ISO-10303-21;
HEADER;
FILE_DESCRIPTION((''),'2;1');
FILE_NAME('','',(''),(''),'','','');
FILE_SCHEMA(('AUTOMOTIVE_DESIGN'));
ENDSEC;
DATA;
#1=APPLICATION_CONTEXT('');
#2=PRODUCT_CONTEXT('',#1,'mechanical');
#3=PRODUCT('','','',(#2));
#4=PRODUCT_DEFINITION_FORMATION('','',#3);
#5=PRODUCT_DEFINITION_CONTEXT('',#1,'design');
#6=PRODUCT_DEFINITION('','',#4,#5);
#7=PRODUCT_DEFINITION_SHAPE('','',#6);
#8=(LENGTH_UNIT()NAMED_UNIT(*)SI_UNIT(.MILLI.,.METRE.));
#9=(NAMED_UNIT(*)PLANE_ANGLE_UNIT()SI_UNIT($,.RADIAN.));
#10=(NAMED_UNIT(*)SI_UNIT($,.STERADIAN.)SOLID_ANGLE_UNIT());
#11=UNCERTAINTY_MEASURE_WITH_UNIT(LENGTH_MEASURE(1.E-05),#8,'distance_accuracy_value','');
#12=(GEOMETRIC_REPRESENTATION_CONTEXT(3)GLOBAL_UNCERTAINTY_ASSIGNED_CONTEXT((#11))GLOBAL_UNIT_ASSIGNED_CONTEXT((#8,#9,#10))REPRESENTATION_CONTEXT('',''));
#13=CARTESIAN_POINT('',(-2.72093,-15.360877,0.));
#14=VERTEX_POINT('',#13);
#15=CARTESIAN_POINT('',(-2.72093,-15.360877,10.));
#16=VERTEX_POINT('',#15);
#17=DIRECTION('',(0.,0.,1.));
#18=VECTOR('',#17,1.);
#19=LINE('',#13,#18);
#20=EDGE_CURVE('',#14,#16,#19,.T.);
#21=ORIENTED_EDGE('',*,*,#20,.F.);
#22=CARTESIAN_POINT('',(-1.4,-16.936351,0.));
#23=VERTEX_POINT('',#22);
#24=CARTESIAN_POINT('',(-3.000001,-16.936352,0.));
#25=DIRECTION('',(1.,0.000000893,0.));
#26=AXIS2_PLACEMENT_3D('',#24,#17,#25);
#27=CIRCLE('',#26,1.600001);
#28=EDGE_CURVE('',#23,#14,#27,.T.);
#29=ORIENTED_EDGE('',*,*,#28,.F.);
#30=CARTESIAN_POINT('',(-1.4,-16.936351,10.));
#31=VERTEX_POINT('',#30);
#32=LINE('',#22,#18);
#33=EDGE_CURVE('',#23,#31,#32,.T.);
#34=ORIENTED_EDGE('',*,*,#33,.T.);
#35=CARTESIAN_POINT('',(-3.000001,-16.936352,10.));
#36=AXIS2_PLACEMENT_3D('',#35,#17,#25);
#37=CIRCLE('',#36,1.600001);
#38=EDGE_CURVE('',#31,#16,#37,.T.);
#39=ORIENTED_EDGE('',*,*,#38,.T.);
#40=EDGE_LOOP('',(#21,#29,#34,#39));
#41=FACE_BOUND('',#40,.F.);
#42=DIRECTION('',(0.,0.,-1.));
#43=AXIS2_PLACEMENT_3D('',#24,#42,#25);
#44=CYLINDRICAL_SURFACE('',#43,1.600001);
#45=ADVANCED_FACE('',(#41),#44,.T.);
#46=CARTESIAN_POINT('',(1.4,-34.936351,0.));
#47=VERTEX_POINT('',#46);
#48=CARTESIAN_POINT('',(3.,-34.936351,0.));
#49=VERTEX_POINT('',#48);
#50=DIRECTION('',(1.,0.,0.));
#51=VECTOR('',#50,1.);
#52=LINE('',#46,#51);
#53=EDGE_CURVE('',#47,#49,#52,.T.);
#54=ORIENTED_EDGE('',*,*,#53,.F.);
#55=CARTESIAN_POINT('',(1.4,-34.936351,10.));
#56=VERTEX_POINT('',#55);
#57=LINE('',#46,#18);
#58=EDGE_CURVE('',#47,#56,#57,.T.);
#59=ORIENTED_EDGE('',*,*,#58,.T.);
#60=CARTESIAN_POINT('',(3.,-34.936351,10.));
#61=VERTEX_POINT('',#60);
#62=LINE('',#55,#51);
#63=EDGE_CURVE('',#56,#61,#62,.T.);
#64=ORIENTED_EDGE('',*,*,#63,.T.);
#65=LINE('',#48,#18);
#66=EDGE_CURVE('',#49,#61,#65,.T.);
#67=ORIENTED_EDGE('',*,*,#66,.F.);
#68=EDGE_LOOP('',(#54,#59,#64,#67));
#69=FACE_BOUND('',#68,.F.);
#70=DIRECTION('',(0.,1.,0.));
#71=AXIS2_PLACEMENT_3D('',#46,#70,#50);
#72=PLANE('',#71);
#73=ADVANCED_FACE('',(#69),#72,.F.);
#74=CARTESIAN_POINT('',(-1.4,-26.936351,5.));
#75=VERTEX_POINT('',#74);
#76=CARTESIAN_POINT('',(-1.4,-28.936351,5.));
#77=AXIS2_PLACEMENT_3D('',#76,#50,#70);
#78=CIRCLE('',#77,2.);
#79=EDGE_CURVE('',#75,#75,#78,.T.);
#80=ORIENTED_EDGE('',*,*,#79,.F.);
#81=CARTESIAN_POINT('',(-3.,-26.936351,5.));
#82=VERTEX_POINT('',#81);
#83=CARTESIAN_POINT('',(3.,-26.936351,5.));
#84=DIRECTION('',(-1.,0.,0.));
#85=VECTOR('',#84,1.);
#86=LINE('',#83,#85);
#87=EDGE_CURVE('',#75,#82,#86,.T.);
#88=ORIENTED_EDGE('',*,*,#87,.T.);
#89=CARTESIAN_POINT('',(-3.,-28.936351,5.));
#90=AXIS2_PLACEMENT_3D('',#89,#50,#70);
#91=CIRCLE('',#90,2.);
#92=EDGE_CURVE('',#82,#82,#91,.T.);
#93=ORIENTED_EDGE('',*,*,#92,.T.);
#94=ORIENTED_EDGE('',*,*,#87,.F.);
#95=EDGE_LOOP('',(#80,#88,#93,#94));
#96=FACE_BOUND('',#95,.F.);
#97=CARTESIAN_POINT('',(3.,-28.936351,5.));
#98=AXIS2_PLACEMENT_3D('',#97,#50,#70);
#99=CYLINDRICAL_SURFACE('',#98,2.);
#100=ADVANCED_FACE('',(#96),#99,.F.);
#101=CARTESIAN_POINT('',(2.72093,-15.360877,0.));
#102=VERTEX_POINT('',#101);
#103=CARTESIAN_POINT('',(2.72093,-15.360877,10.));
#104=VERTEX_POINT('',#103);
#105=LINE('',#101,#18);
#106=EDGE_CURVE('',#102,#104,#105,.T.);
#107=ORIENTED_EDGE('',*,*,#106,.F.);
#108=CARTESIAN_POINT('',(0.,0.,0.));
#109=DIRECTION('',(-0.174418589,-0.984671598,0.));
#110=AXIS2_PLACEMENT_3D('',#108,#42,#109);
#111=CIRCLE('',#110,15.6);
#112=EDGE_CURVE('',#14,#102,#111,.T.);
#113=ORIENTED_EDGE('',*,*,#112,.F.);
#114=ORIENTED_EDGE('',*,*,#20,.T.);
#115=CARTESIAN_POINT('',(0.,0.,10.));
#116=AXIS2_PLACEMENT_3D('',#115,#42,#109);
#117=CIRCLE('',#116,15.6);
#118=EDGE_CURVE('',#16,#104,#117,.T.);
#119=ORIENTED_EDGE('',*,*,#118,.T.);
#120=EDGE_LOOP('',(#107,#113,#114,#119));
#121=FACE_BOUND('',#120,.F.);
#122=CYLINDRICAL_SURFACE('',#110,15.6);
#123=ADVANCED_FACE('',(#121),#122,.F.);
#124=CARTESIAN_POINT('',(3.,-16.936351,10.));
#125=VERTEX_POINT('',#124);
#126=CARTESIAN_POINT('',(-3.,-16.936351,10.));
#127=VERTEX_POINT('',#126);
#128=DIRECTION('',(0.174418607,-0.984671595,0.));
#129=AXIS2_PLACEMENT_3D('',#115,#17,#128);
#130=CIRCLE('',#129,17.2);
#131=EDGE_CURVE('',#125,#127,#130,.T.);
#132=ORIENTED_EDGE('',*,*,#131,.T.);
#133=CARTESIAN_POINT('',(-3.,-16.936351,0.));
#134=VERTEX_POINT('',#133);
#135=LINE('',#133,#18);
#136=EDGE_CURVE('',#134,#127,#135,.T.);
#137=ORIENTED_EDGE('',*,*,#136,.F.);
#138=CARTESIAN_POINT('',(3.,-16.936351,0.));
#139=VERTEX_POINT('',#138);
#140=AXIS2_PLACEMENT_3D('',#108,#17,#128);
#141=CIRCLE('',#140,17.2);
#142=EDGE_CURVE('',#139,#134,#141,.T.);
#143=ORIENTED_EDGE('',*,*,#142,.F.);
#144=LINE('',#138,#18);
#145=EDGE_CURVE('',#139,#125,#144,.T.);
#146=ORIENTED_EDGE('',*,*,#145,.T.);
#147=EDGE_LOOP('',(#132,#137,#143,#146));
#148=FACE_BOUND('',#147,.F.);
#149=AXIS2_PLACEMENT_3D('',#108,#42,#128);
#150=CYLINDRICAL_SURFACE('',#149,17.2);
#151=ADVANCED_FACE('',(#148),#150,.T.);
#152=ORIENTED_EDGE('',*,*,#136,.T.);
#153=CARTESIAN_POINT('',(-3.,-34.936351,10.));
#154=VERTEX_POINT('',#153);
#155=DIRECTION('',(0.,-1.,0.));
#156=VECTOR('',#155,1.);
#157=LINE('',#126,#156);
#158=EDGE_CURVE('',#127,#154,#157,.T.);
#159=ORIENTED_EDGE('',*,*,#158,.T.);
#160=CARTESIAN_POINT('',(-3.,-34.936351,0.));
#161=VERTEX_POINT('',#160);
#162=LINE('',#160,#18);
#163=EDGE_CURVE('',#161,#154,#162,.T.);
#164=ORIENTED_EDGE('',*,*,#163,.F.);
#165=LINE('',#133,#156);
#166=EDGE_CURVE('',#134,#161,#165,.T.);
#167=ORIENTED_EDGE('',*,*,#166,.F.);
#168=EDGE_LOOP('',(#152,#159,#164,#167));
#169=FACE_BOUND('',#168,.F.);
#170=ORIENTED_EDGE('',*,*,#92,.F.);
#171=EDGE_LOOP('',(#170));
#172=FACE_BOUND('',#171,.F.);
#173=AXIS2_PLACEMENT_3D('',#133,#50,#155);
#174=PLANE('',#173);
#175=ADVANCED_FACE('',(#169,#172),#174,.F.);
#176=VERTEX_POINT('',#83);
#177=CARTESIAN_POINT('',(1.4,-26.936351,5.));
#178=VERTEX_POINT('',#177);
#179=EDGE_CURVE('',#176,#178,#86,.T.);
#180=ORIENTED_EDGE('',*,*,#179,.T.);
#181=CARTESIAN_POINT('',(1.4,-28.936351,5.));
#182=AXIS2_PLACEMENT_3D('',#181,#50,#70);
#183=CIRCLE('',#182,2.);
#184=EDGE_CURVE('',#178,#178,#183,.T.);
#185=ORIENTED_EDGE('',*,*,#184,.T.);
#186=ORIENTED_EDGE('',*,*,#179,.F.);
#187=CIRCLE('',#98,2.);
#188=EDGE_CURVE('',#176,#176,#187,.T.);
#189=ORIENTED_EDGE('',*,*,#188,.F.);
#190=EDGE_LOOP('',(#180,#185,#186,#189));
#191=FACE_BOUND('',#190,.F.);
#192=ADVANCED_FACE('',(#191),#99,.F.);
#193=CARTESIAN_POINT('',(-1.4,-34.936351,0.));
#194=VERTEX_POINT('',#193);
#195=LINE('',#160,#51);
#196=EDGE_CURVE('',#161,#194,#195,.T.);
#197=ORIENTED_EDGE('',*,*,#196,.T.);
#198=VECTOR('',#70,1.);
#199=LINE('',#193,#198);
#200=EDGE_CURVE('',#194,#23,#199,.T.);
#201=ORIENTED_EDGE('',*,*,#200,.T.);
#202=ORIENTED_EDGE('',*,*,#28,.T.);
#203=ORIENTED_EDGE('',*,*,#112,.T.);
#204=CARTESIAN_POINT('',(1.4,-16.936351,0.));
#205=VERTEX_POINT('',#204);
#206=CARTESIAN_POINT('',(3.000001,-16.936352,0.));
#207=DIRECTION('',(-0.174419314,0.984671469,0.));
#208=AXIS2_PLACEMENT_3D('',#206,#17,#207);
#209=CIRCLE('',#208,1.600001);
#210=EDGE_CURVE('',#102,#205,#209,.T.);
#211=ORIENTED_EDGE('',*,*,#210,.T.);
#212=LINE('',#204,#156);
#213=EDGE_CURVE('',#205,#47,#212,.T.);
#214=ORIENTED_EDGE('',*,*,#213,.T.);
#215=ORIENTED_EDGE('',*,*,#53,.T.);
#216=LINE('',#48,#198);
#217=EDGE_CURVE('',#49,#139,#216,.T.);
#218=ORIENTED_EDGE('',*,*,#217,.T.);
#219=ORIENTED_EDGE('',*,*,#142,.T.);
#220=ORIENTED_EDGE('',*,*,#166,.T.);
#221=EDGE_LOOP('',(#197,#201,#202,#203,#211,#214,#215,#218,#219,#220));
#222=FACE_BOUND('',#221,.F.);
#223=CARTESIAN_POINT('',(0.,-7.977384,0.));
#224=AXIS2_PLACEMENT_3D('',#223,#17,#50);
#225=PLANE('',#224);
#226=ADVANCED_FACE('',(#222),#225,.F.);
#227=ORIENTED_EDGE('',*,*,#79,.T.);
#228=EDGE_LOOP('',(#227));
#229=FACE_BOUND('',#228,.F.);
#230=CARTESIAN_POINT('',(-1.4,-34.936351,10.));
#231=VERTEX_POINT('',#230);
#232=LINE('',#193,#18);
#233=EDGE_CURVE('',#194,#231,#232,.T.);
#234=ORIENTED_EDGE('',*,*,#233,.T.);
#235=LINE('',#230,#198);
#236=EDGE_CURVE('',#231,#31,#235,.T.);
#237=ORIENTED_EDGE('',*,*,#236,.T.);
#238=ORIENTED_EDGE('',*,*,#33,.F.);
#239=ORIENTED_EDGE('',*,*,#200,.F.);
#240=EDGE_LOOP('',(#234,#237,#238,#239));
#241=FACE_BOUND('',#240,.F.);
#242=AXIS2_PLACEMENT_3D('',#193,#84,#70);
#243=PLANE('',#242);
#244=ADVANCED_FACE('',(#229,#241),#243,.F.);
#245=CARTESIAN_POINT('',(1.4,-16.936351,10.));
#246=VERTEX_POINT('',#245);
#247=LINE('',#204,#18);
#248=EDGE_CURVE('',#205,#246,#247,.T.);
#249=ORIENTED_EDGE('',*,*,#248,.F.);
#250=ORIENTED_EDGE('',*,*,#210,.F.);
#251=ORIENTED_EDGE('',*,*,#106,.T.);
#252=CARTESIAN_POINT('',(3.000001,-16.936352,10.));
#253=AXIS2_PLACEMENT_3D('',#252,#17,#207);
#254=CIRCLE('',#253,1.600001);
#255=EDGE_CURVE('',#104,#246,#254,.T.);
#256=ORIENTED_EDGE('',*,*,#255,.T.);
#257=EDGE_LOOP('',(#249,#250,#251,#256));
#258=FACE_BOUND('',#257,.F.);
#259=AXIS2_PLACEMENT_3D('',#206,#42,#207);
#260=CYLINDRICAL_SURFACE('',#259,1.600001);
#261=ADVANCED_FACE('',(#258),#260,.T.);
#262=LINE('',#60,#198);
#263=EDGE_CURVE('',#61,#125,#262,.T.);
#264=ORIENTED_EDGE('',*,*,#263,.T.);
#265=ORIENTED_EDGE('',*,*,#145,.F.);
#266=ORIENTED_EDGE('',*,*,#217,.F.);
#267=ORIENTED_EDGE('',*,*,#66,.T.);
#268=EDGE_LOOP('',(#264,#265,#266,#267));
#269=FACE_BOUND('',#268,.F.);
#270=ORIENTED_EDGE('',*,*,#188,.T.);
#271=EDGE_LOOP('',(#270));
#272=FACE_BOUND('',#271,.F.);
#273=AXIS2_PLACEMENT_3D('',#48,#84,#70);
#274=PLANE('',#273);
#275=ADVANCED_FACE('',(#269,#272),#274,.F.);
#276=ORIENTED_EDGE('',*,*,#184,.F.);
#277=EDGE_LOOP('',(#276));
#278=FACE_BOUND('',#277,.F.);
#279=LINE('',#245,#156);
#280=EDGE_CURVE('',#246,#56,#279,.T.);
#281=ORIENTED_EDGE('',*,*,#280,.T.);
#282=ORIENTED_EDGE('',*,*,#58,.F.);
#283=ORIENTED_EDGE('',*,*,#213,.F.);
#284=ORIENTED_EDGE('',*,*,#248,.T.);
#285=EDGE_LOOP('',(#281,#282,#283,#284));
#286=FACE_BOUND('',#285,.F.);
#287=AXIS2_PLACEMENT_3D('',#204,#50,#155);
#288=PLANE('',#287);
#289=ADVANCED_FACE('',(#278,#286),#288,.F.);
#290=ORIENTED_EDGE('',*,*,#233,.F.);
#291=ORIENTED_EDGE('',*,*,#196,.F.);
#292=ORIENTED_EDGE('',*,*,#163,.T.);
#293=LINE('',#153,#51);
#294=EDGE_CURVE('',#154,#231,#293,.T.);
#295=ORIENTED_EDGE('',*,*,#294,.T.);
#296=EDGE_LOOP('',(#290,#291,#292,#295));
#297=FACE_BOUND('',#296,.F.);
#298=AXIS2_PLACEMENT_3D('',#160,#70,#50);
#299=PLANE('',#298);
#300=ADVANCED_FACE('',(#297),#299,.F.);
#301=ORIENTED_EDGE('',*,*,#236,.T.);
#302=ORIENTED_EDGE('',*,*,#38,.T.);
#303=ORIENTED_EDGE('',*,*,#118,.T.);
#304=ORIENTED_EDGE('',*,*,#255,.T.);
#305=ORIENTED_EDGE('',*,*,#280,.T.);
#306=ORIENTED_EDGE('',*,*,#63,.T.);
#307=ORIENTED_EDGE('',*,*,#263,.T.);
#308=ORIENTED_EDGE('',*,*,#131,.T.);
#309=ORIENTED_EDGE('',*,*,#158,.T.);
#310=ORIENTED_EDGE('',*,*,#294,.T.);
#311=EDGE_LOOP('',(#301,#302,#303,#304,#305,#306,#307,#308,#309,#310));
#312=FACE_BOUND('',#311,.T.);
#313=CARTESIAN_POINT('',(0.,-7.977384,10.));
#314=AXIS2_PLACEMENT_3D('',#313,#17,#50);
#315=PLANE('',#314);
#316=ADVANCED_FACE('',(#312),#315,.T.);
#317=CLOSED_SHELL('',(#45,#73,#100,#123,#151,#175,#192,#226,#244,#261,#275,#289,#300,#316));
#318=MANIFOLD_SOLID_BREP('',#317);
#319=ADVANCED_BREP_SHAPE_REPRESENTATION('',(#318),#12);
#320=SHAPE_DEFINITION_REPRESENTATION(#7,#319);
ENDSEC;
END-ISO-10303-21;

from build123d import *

# Parameters (mm, degrees)
F1_DEPTH = 10
F2_R     = 2
F3_DEPTH = 30


with BuildPart() as f1:
    # F0 (on Top) → F1 (new body)
    with BuildSketch(Plane.XY):
        with BuildLine():
            ThreePointArc((-2.72093, -15.360877), (0, 15.6), (2.72093, -15.360877))
            ThreePointArc((2.72093, -15.360877), (1.773927, -15.908371), (1.4, -16.936351))
            Line((1.4, -16.936351), (1.4, -34.936351))
            Line((1.4, -34.936351), (3, -34.936351))
            Line((3, -34.936351), (3, -16.936351))
            ThreePointArc((3, -16.936351), (0, 17.2), (-3, -16.936351))
            Line((-3, -16.936351), (-3, -34.936351))
            Line((-3, -34.936351), (-1.4, -34.936351))
            Line((-1.4, -34.936351), (-1.4, -16.936351))
            ThreePointArc((-1.4, -16.936351), (-1.773927, -15.908371), (-2.72093, -15.360877))
        make_face()
    extrude(amount=F1_DEPTH)

    # F2 (on face) → F3 (cut)
    with BuildSketch(Plane.YZ.offset(3)):
        with Locations((-28.936351, 5)):
            Circle(F2_R)
    extrude(amount=-F3_DEPTH, mode=Mode.SUBTRACT)


solid = f1.part
